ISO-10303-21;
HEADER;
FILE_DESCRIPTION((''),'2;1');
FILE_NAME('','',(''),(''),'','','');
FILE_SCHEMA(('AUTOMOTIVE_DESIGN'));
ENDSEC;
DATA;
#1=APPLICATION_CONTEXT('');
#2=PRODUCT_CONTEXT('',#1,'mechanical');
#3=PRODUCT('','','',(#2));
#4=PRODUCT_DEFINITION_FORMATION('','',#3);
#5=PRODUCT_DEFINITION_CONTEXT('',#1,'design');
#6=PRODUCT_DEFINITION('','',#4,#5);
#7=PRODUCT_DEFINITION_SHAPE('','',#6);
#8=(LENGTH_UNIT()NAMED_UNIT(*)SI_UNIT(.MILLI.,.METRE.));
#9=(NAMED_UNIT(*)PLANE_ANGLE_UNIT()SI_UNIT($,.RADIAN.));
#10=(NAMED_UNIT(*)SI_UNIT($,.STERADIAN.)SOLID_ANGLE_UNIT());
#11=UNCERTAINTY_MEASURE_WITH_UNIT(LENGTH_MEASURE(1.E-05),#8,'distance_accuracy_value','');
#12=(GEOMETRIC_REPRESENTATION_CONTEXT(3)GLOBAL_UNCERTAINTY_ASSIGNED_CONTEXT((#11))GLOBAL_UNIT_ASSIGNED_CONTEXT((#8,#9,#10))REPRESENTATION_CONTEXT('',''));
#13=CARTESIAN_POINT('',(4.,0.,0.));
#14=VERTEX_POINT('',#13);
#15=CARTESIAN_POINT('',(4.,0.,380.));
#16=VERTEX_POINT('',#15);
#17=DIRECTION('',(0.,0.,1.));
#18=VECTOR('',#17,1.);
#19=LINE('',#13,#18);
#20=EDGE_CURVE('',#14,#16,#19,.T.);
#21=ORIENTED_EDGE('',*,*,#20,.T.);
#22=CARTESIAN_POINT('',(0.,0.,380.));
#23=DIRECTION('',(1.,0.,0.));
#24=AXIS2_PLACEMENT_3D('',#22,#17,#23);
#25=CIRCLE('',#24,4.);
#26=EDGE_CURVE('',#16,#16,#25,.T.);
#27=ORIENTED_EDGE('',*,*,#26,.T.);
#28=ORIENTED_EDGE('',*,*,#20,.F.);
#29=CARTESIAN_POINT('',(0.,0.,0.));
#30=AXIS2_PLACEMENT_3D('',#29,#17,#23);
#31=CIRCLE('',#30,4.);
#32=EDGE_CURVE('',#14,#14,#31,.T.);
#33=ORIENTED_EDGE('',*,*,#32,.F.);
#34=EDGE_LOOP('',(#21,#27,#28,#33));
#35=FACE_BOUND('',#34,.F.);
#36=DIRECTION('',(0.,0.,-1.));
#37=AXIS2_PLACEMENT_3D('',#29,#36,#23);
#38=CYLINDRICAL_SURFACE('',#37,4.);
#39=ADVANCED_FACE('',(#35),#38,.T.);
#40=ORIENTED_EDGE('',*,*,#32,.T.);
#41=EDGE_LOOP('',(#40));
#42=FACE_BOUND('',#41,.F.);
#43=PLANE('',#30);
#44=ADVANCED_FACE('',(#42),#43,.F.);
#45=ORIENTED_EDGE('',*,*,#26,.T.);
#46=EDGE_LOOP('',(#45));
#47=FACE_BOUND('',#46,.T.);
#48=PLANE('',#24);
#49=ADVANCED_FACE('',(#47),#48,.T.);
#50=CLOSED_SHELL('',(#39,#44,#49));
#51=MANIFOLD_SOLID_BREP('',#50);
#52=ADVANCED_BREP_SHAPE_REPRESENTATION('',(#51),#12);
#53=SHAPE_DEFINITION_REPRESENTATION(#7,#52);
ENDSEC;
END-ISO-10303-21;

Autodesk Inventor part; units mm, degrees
ref_plane "YZ Plane" through (0, 0, 0) normal (1, 0, 0) x (0, 1, 0)
ref_plane "XZ Plane" through (0, 0, 0) normal (0, 1, 0) x (-1, 0, 0)
ref_plane "XY Plane" through (0, 0, 0) normal (0, 0, 1) x (1, 0, 0)
sketch "Sketch1" plane through (0, 0, 0) normal (0, 0, 1) x (1, 0, 0)
  circle A0 centre (0, 0) radius 4
  dimension "d0" = 8
extrude "Extrusion1" add sketch "Sketch1" along normal blind 380
properties part number "y axis 8mm rod"
